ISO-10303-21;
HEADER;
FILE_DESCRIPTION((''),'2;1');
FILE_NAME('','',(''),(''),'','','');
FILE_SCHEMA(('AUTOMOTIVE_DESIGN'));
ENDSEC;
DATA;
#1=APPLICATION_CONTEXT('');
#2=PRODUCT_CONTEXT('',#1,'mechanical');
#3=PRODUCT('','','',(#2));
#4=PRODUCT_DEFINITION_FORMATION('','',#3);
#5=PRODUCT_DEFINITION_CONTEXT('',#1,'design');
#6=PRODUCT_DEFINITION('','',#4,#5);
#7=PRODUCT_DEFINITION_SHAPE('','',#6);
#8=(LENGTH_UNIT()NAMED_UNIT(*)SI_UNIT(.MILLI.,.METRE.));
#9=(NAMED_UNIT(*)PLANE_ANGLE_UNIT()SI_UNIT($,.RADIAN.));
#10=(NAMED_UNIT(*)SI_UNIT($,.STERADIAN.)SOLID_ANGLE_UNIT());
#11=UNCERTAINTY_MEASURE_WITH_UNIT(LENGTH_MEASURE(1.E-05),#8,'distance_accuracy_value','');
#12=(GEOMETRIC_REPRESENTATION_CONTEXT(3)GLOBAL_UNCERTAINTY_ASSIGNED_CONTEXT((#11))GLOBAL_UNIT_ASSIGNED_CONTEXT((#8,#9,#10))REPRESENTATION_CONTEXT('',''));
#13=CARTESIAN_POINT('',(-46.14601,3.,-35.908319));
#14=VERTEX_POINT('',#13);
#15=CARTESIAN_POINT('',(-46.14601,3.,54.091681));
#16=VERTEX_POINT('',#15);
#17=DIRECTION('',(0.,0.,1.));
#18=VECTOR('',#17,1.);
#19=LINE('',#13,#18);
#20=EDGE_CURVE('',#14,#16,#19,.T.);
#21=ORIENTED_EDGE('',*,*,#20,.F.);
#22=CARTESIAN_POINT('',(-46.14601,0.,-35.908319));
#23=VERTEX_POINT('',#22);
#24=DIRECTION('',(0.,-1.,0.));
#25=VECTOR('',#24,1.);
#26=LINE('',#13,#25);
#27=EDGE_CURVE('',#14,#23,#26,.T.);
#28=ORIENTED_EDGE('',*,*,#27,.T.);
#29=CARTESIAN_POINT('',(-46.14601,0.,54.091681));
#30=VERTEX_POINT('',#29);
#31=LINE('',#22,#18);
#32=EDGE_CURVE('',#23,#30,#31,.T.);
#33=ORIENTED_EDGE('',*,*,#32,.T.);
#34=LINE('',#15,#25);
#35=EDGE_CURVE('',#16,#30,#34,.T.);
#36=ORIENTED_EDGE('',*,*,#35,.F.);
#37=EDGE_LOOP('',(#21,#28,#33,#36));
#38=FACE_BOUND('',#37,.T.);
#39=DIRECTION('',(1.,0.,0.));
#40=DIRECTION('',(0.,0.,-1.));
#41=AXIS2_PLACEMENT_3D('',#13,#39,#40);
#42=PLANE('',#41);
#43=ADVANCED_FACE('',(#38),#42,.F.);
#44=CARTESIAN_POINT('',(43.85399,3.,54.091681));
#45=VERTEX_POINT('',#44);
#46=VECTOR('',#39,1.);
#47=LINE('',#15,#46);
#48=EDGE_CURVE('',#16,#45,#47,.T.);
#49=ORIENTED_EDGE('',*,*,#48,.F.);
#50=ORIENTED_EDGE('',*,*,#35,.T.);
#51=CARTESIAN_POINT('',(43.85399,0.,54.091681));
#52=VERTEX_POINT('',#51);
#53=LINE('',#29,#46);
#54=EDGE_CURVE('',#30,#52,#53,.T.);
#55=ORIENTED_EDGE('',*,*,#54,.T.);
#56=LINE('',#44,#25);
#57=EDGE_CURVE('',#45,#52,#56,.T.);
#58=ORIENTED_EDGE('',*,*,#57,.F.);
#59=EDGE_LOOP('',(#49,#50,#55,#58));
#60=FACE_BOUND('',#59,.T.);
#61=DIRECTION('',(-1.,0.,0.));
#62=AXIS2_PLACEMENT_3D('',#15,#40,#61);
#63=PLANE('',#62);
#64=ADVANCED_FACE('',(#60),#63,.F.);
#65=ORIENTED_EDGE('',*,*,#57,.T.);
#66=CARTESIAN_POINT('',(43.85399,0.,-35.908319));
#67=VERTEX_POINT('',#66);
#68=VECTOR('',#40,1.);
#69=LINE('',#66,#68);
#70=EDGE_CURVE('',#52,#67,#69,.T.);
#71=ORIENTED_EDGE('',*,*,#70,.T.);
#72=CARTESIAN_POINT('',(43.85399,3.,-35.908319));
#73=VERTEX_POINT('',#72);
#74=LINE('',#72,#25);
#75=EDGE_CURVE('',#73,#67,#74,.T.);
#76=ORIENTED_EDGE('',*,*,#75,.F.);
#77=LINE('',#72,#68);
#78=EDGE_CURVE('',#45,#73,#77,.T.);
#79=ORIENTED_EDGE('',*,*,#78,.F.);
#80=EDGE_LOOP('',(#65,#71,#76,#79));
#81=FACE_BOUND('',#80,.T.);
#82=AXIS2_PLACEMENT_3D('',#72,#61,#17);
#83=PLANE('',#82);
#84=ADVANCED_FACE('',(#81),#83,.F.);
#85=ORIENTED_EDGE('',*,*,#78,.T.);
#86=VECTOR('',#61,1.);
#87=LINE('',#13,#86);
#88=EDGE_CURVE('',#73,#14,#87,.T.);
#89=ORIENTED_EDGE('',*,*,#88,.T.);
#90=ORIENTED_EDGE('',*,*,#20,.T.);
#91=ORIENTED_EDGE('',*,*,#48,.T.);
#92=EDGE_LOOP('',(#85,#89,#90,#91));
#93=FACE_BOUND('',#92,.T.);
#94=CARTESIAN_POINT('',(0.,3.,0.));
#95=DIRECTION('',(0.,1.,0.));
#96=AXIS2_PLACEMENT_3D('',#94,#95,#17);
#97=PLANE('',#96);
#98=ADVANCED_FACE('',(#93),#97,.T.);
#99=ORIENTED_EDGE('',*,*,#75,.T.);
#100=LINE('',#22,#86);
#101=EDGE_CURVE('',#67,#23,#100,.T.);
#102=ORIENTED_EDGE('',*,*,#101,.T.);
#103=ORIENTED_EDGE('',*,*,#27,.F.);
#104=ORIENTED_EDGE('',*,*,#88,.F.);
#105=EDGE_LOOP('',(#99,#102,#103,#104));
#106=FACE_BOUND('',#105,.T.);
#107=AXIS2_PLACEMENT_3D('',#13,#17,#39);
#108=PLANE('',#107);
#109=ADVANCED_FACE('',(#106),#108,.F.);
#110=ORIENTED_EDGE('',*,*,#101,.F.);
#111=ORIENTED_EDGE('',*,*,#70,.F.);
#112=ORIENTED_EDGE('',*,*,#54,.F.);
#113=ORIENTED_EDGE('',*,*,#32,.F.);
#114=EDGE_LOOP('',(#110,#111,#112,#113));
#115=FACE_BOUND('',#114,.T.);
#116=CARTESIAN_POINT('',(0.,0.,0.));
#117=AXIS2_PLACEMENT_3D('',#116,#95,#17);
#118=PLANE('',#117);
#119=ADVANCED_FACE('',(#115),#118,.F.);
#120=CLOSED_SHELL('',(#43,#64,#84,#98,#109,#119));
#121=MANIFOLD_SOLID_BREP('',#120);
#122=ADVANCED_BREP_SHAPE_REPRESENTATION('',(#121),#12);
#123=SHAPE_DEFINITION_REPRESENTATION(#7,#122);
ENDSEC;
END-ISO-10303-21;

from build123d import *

# Parameters (mm, degrees)
SKETCH1_W           = 90
SKETCH1_H           = 90
BOSS_EXTRUDE1_DEPTH = 3


with BuildPart() as part:
    # Sketch1 → Boss-Extrude1 (new body)
    with BuildSketch(Plane(origin=(0, 0, 0), x_dir=(1, 0, 0), z_dir=(0, 1, 0))):
        with Locations((-1.146010187, -9.091680815)):
            Rectangle(SKETCH1_W, SKETCH1_H)
    extrude(amount=BOSS_EXTRUDE1_DEPTH)


solid = part.part
